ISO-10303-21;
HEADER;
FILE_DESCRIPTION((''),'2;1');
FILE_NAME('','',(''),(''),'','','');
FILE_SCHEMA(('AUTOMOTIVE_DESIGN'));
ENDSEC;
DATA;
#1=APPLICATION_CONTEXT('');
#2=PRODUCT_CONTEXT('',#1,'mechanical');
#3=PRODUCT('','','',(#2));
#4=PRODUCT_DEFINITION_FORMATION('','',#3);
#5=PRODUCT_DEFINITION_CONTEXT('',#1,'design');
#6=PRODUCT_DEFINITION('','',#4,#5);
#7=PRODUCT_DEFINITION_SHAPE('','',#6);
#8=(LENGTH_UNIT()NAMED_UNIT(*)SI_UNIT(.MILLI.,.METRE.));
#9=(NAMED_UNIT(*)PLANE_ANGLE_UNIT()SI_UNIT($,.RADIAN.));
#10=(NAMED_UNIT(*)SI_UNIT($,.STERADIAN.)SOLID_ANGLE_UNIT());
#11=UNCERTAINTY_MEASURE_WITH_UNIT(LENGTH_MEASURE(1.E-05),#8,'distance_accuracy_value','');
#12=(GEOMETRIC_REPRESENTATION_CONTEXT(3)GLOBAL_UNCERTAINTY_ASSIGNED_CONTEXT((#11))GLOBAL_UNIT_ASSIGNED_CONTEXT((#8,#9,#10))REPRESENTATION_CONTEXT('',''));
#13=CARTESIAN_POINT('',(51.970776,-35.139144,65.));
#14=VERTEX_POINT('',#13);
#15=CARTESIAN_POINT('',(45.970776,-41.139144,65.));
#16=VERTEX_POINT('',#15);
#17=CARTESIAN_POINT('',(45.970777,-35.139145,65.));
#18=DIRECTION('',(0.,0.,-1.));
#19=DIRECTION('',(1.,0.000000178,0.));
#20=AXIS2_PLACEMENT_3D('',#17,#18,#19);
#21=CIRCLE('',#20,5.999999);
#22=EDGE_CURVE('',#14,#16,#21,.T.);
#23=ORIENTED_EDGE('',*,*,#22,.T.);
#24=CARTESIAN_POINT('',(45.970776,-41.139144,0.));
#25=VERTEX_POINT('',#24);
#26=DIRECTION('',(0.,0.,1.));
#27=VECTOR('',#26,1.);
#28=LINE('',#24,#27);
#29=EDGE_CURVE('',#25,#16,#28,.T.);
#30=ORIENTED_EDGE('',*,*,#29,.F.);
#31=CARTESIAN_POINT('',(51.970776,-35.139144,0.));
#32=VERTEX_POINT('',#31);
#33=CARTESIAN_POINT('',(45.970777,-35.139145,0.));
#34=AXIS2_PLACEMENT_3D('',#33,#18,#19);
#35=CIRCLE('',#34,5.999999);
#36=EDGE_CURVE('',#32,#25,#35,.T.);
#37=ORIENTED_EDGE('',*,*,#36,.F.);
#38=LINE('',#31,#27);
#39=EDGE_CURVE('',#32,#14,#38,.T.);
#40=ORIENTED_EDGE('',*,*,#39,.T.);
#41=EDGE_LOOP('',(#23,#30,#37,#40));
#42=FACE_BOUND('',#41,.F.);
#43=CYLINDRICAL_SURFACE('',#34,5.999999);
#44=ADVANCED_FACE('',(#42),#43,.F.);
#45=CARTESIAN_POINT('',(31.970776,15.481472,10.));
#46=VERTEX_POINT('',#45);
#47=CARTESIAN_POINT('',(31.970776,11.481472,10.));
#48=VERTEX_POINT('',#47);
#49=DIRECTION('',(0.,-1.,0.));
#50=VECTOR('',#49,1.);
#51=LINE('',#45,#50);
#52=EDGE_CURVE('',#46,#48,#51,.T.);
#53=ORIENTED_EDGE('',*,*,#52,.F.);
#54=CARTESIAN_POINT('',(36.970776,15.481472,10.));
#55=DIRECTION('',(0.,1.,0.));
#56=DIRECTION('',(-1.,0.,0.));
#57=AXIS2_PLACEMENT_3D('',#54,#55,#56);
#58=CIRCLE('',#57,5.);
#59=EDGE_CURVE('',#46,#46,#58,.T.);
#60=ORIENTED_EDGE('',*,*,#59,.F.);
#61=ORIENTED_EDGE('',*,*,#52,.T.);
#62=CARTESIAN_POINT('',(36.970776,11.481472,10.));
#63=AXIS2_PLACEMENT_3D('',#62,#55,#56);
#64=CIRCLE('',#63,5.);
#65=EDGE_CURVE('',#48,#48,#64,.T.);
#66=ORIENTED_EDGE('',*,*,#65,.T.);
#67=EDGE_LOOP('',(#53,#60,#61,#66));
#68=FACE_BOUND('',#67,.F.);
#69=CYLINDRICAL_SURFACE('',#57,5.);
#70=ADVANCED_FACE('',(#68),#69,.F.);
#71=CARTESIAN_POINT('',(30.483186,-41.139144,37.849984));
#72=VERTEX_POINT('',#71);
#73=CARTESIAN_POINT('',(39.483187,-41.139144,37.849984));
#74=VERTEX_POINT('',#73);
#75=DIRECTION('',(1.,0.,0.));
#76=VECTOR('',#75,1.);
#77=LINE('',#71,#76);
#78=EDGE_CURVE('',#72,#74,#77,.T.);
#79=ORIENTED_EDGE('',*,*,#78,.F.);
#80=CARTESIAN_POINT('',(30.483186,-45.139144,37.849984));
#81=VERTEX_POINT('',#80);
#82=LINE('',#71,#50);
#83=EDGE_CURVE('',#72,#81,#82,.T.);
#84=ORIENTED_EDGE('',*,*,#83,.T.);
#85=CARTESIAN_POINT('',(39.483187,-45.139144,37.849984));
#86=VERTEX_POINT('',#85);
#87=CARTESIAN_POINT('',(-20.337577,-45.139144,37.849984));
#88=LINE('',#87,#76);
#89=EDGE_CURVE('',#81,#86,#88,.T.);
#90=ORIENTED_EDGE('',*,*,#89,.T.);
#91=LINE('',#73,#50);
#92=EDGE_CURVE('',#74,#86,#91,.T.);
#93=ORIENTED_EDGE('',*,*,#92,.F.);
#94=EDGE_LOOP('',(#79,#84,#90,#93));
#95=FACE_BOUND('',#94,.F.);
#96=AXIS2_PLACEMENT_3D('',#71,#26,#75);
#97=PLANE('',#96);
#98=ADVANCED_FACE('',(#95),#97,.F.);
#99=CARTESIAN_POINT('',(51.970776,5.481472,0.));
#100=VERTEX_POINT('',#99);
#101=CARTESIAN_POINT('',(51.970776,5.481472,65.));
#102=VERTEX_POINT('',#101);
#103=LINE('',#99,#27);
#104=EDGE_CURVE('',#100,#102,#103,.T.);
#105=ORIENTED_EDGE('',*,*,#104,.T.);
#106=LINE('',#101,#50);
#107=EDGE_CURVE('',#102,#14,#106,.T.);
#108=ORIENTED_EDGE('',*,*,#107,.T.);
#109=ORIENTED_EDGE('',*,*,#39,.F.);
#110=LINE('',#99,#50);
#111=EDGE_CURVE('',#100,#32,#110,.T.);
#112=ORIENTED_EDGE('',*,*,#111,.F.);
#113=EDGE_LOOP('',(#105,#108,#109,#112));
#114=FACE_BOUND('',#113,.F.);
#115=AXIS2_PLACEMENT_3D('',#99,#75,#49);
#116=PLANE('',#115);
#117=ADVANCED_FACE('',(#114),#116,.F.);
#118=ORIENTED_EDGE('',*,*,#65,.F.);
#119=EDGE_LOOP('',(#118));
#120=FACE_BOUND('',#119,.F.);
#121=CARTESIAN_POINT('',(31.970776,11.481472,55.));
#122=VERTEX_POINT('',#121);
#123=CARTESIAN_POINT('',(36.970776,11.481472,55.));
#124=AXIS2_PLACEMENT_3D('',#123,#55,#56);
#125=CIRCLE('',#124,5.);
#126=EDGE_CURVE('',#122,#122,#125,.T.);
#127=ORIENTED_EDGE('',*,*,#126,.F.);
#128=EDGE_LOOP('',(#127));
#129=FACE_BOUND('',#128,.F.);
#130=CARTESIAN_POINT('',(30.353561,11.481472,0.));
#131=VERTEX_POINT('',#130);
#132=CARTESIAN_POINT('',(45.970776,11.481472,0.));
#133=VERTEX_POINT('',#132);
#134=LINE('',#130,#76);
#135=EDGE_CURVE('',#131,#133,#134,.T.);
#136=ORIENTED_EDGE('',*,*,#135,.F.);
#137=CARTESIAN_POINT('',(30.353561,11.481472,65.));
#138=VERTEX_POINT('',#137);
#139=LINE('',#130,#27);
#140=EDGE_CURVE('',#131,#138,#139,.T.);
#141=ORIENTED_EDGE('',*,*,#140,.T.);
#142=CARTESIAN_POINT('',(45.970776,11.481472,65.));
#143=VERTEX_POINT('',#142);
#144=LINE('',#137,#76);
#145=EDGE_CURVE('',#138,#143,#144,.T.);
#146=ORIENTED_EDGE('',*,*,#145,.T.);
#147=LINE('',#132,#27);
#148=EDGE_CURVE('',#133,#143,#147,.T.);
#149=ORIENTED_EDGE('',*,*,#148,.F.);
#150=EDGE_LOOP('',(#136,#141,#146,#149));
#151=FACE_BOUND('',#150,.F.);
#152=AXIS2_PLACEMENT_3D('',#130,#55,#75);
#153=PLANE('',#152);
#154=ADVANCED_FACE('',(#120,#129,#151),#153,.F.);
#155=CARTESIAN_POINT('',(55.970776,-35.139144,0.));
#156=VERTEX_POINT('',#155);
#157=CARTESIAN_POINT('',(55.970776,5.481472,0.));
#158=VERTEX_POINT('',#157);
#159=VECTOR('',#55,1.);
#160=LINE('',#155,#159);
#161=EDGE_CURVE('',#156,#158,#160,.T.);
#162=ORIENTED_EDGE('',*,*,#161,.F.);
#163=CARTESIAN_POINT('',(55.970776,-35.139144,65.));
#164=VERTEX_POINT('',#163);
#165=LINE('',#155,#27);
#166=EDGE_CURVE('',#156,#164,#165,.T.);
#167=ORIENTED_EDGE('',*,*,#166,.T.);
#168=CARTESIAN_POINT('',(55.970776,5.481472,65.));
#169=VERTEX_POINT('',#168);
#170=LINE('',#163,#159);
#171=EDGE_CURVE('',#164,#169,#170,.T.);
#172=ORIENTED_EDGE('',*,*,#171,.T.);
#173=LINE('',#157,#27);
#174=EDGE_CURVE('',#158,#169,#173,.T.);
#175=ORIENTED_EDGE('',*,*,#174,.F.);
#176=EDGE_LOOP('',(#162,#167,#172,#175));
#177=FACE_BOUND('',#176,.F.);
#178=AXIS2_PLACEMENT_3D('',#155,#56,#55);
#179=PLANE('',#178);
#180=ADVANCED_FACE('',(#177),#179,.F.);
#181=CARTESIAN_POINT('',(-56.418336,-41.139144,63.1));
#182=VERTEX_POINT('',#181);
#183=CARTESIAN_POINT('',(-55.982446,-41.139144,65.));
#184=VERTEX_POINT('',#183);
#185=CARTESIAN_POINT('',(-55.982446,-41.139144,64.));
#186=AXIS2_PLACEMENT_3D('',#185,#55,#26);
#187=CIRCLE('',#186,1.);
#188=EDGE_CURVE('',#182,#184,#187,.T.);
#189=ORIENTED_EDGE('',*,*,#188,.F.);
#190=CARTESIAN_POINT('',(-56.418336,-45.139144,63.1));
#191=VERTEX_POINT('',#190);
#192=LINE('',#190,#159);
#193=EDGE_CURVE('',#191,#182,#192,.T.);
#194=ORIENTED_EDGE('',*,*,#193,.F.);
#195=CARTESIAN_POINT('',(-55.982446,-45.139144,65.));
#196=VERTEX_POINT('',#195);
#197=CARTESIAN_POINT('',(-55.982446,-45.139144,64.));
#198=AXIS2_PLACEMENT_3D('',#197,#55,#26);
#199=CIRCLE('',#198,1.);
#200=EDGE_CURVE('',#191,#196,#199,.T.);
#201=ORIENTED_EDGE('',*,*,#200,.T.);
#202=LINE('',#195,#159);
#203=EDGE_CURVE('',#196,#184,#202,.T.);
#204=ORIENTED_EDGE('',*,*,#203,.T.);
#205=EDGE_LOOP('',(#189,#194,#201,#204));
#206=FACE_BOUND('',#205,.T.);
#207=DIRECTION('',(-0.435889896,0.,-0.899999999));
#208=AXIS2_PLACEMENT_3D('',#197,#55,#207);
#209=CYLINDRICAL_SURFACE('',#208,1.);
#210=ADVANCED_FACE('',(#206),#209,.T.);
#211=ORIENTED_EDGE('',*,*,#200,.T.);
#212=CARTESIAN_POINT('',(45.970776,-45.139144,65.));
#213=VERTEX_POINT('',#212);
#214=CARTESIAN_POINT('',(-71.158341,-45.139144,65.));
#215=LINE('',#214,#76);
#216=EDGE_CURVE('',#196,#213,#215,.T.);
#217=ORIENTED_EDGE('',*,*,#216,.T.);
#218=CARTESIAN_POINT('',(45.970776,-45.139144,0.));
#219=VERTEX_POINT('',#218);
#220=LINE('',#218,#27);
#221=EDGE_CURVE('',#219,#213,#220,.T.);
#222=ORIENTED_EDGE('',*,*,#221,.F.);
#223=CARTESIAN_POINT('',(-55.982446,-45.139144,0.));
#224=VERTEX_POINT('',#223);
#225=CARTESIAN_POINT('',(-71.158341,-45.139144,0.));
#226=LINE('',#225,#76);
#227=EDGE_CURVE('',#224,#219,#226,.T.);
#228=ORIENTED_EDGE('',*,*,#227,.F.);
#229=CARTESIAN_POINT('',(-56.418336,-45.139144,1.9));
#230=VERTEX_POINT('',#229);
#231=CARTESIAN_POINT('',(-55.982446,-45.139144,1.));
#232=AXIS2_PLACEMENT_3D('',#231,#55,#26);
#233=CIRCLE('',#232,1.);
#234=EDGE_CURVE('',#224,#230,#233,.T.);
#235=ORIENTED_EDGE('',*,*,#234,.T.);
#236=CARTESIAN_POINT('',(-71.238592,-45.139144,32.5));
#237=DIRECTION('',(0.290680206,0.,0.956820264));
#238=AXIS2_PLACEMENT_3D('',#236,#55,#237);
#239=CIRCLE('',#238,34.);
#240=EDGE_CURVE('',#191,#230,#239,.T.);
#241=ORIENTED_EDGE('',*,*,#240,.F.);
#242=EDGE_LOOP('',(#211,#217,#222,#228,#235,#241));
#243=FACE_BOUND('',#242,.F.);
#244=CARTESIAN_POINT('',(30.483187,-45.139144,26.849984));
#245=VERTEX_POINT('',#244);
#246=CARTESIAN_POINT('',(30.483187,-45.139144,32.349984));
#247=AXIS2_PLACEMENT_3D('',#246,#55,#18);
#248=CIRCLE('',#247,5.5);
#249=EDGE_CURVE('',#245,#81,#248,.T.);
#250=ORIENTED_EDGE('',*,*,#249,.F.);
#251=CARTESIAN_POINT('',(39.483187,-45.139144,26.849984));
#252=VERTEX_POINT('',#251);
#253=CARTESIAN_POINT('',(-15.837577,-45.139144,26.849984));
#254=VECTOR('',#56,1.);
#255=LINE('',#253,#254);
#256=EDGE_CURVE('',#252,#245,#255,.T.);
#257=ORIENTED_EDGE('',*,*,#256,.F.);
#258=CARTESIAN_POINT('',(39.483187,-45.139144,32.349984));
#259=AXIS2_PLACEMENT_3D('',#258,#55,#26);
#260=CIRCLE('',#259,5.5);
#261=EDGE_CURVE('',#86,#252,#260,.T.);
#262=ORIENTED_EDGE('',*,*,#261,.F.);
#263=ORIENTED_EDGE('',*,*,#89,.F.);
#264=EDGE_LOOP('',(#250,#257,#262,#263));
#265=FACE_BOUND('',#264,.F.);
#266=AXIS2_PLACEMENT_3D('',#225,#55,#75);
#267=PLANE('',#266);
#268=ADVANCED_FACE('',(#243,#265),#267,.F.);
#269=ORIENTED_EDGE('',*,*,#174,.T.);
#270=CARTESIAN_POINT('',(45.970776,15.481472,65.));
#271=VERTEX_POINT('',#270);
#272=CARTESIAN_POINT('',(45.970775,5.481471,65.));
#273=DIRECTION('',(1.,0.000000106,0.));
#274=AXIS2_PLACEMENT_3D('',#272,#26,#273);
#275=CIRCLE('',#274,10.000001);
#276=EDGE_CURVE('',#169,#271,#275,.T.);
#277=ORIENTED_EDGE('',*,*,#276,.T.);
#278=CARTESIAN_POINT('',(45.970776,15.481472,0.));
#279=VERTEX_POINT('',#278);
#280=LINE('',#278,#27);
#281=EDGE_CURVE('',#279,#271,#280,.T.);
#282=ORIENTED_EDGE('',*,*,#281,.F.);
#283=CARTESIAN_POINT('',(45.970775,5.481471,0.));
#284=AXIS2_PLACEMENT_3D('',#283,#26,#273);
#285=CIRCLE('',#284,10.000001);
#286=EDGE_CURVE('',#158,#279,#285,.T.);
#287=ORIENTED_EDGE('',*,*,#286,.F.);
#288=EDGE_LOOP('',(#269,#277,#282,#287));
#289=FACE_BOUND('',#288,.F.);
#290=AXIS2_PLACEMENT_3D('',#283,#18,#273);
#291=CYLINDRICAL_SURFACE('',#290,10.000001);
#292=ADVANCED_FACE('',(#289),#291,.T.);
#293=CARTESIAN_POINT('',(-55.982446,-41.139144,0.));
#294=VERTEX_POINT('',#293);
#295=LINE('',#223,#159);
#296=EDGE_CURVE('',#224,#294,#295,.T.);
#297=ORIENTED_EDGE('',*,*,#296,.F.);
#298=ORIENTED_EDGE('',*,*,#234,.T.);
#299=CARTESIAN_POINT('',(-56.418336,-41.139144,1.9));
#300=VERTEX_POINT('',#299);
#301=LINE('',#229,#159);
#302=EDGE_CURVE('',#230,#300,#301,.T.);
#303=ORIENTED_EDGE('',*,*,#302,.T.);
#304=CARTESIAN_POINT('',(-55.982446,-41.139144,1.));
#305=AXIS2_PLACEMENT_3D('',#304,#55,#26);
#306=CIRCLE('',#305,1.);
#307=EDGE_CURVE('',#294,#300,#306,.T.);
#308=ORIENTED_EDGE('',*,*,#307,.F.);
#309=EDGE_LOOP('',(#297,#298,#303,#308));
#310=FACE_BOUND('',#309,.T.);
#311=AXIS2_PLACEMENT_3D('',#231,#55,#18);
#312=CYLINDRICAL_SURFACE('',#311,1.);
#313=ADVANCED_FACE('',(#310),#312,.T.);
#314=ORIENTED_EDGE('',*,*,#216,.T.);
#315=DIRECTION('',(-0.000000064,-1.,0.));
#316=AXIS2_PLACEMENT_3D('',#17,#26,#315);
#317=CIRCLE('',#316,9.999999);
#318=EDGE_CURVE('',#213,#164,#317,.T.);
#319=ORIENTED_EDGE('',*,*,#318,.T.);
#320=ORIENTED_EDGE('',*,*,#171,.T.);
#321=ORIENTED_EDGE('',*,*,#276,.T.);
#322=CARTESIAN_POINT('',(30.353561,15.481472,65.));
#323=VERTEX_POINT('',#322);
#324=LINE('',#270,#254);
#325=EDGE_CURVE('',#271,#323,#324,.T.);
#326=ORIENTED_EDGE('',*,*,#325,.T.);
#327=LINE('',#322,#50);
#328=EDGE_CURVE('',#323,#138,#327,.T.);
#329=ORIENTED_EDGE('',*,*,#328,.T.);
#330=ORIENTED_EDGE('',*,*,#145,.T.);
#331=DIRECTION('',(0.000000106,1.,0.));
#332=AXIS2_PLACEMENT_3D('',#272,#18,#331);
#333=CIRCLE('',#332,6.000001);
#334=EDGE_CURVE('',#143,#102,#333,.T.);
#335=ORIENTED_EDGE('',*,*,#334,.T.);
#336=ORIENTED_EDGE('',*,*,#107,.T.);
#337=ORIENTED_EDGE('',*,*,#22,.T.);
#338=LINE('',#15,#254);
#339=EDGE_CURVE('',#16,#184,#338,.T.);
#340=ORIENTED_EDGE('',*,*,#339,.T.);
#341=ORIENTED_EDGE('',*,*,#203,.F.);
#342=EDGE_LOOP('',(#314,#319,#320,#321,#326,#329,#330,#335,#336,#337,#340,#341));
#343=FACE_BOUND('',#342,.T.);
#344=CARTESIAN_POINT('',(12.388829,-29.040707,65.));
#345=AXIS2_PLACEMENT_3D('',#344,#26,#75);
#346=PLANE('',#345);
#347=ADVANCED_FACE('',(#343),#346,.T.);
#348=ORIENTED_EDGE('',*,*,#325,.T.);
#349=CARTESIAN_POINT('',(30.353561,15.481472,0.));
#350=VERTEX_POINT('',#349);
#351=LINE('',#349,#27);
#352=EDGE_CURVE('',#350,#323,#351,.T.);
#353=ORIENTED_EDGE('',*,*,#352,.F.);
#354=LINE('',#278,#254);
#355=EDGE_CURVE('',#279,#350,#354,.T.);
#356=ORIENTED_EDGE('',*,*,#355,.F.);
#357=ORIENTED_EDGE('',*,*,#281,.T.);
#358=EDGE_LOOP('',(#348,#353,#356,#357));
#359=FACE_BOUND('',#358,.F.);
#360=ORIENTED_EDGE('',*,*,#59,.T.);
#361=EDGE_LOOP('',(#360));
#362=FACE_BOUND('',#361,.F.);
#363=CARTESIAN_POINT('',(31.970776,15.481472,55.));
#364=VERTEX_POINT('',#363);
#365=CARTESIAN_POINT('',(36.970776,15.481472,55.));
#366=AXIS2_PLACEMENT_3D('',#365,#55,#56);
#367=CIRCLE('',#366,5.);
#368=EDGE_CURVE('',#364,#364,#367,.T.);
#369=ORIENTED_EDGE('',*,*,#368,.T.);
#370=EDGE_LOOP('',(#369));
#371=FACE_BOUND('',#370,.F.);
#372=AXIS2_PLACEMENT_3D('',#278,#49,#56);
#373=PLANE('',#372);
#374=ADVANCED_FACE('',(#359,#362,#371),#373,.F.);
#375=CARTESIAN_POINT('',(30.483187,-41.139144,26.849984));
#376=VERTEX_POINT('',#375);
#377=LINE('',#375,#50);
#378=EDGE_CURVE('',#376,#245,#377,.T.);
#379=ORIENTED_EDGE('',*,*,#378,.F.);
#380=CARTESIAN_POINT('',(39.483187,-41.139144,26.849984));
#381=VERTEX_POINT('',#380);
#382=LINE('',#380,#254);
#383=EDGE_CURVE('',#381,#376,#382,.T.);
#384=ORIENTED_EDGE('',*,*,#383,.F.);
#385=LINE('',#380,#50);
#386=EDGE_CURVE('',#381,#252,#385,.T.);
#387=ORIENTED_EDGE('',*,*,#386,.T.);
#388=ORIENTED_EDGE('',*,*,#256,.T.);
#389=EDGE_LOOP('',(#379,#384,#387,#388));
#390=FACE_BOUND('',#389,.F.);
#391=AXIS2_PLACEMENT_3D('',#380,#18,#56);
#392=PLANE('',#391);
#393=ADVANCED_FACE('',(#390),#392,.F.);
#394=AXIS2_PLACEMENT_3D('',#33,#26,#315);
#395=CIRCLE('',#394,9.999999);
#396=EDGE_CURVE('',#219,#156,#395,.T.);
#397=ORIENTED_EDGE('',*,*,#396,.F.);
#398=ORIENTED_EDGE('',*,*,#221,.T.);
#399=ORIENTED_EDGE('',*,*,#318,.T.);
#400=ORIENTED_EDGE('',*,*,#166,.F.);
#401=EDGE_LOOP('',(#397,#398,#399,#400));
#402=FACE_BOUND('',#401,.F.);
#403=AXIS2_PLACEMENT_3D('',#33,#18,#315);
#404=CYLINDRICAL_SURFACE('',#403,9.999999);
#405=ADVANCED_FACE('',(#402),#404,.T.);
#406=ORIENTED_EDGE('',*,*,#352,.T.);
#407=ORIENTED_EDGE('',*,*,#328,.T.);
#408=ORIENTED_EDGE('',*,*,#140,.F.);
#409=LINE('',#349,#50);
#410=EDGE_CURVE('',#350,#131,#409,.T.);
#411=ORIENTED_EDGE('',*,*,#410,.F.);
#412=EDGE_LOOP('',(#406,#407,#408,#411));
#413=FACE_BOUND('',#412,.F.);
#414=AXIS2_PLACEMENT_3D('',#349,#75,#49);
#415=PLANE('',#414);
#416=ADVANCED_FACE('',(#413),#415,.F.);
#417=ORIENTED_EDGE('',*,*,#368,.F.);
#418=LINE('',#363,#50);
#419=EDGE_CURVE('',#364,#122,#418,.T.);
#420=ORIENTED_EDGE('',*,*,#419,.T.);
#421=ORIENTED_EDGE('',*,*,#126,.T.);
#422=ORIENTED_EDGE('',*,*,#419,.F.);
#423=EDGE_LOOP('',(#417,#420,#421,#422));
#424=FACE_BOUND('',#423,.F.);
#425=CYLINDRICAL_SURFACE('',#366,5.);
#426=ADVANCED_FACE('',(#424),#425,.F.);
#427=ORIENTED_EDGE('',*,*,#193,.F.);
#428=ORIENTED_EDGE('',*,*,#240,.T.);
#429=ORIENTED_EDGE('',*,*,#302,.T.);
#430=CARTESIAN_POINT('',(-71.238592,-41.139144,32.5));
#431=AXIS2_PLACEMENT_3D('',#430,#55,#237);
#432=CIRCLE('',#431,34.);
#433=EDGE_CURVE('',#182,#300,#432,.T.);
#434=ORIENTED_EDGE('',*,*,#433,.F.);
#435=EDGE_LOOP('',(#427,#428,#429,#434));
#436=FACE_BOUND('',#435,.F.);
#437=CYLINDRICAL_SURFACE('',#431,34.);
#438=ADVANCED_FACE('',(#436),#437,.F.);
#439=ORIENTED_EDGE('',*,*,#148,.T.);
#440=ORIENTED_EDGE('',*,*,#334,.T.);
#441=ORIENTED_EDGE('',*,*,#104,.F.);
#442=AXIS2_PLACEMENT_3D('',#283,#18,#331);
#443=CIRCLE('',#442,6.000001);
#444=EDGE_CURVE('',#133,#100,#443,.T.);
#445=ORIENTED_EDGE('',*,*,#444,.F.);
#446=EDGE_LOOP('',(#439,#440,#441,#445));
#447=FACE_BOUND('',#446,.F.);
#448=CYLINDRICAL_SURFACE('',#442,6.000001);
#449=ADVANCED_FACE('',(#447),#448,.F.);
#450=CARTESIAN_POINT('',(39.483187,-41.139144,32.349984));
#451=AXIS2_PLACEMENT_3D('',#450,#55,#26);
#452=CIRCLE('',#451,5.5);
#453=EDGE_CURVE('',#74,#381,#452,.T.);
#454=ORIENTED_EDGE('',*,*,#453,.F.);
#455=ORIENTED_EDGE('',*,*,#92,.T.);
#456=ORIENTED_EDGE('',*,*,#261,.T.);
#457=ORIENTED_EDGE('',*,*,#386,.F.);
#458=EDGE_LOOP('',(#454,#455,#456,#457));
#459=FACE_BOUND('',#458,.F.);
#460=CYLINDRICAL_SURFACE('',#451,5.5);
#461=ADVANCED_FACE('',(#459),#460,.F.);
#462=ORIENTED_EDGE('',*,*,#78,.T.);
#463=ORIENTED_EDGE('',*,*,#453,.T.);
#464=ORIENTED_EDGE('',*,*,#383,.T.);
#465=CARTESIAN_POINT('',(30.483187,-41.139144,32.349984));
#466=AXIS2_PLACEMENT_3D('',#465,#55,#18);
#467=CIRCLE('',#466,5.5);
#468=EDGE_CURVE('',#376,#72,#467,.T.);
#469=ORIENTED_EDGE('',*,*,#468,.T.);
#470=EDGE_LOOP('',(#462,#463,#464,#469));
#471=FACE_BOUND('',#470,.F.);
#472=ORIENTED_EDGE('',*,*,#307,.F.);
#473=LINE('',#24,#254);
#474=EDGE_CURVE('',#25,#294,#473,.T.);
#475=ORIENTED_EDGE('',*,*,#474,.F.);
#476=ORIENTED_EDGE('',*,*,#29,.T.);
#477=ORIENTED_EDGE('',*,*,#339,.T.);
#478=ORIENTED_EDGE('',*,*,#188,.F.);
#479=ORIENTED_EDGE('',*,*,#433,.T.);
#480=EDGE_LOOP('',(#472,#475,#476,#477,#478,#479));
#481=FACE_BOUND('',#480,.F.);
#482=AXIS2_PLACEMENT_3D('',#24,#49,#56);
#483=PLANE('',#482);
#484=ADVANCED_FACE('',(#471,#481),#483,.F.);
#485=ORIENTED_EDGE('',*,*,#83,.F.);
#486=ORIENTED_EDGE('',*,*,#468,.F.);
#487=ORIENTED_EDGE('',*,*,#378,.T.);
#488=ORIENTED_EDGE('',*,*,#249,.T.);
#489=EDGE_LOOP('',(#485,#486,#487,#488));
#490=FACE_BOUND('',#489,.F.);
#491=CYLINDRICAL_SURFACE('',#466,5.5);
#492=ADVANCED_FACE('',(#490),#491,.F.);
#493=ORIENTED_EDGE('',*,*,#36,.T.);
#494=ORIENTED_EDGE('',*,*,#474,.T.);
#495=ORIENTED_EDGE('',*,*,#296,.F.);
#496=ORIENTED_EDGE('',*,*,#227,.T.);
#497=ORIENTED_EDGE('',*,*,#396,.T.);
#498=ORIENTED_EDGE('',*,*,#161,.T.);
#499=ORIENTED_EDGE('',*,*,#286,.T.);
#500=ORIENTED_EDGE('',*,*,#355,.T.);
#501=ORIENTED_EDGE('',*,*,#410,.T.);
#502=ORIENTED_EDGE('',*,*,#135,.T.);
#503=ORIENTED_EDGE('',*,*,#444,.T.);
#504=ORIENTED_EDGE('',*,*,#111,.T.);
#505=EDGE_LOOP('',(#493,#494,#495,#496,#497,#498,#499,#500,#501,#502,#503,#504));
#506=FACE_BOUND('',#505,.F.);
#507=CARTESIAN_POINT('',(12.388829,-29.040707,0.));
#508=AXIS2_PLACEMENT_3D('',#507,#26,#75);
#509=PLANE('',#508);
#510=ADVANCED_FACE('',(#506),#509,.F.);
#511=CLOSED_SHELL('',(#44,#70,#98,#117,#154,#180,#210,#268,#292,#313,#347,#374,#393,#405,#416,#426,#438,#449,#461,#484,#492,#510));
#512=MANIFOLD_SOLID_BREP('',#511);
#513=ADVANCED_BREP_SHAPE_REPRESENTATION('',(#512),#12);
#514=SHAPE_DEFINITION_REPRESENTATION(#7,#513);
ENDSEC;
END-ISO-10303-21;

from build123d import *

# Parameters (mm, degrees)
F1_DEPTH  = 65
F3_R      = 5
F4_DEPTH  = 4
F7_DEPTH  = 25
F8_R      = 1
F10_DEPTH = 4.001


with BuildPart() as f1:
    # F0 (on Top) → F1 (new body)
    with BuildSketch(Plane.XY):
        with BuildLine():
            Line((-71.158341, -41.139144), (-71.158341, -45.139144))
            Line((-71.158341, -45.139144), (45.970776, -45.139144))
            ThreePointArc((45.970776, -45.139144), (53.041844, -42.210212), (55.970776, -35.139144))
            Line((55.970776, -35.139144), (55.970776, 5.481472))
            ThreePointArc((55.970776, 5.481472), (53.041844, 12.552539), (45.970776, 15.481472))
            Line((45.970776, 15.481472), (30.353561, 15.481472))
            Line((30.353561, 15.481472), (30.353561, 11.481472))
            Line((30.353561, 11.481472), (45.970776, 11.481472))
            ThreePointArc((45.970776, 11.481472), (50.213417, 9.724112), (51.970776, 5.481472))
            Line((51.970776, 5.481472), (51.970776, -35.139144))
            ThreePointArc((51.970776, -35.139144), (50.213417, -39.381785), (45.970776, -41.139144))
            Line((45.970776, -41.139144), (-71.158341, -41.139144))
        make_face()
    extrude(amount=F1_DEPTH)

    # F3 (on face) → F4 (cut)
    with BuildSketch(Plane(origin=(0, 15.481472, 0), x_dir=(-1, 0, 0), z_dir=(0, 1, 0))):
        with Locations((-36.970776, 10)):
            Circle(F3_R)
        with Locations((-36.970776, 55)):
            Circle(F3_R)
    extrude(amount=-F4_DEPTH, mode=Mode.SUBTRACT)

    # F6 (on face) → F7 (cut)
    with BuildSketch(Plane(origin=(0, -41.139144, 0), x_dir=(-1, 0, 0), z_dir=(0, 1, 0))):
        with BuildLine():
            Line((78.911833, 65.031889), (61.355465, 65.031889))
            ThreePointArc((61.355465, 65.031889), (37.238592, 32.5), (61.355465, -0.031889))
            Line((61.355465, -0.031889), (78.911833, -0.031889))
            Line((78.911833, -0.031889), (78.911833, 65.031889))
        make_face()
    extrude(amount=-F7_DEPTH, mode=Mode.SUBTRACT)

    # F8
    f8_edges = [f1.edges().sort_by_distance(p)[0] for p in [
        (-61.2511, -43.139144, 65),
        (-61.2511, -43.139144, 0),
    ]]
    fillet(f8_edges, radius=F8_R)

    # F9 (on face) → F10 (cut, through all)
    with BuildSketch(Plane(origin=(0, -41.139144, 0), x_dir=(-1, 0, 0), z_dir=(0, 1, 0))):
        with BuildLine():
            Line((-39.483187, 26.849984), (-30.483187, 26.849984))
            ThreePointArc((-30.483187, 26.849984), (-24.983187, 32.349983), (-30.483186, 37.849984))
            Line((-30.483186, 37.849984), (-39.483187, 37.849984))
            ThreePointArc((-39.483187, 37.849984), (-44.983187, 32.349984), (-39.483187, 26.849984))
        make_face()
    extrude(amount=-F10_DEPTH, mode=Mode.SUBTRACT)


solid = f1.part
